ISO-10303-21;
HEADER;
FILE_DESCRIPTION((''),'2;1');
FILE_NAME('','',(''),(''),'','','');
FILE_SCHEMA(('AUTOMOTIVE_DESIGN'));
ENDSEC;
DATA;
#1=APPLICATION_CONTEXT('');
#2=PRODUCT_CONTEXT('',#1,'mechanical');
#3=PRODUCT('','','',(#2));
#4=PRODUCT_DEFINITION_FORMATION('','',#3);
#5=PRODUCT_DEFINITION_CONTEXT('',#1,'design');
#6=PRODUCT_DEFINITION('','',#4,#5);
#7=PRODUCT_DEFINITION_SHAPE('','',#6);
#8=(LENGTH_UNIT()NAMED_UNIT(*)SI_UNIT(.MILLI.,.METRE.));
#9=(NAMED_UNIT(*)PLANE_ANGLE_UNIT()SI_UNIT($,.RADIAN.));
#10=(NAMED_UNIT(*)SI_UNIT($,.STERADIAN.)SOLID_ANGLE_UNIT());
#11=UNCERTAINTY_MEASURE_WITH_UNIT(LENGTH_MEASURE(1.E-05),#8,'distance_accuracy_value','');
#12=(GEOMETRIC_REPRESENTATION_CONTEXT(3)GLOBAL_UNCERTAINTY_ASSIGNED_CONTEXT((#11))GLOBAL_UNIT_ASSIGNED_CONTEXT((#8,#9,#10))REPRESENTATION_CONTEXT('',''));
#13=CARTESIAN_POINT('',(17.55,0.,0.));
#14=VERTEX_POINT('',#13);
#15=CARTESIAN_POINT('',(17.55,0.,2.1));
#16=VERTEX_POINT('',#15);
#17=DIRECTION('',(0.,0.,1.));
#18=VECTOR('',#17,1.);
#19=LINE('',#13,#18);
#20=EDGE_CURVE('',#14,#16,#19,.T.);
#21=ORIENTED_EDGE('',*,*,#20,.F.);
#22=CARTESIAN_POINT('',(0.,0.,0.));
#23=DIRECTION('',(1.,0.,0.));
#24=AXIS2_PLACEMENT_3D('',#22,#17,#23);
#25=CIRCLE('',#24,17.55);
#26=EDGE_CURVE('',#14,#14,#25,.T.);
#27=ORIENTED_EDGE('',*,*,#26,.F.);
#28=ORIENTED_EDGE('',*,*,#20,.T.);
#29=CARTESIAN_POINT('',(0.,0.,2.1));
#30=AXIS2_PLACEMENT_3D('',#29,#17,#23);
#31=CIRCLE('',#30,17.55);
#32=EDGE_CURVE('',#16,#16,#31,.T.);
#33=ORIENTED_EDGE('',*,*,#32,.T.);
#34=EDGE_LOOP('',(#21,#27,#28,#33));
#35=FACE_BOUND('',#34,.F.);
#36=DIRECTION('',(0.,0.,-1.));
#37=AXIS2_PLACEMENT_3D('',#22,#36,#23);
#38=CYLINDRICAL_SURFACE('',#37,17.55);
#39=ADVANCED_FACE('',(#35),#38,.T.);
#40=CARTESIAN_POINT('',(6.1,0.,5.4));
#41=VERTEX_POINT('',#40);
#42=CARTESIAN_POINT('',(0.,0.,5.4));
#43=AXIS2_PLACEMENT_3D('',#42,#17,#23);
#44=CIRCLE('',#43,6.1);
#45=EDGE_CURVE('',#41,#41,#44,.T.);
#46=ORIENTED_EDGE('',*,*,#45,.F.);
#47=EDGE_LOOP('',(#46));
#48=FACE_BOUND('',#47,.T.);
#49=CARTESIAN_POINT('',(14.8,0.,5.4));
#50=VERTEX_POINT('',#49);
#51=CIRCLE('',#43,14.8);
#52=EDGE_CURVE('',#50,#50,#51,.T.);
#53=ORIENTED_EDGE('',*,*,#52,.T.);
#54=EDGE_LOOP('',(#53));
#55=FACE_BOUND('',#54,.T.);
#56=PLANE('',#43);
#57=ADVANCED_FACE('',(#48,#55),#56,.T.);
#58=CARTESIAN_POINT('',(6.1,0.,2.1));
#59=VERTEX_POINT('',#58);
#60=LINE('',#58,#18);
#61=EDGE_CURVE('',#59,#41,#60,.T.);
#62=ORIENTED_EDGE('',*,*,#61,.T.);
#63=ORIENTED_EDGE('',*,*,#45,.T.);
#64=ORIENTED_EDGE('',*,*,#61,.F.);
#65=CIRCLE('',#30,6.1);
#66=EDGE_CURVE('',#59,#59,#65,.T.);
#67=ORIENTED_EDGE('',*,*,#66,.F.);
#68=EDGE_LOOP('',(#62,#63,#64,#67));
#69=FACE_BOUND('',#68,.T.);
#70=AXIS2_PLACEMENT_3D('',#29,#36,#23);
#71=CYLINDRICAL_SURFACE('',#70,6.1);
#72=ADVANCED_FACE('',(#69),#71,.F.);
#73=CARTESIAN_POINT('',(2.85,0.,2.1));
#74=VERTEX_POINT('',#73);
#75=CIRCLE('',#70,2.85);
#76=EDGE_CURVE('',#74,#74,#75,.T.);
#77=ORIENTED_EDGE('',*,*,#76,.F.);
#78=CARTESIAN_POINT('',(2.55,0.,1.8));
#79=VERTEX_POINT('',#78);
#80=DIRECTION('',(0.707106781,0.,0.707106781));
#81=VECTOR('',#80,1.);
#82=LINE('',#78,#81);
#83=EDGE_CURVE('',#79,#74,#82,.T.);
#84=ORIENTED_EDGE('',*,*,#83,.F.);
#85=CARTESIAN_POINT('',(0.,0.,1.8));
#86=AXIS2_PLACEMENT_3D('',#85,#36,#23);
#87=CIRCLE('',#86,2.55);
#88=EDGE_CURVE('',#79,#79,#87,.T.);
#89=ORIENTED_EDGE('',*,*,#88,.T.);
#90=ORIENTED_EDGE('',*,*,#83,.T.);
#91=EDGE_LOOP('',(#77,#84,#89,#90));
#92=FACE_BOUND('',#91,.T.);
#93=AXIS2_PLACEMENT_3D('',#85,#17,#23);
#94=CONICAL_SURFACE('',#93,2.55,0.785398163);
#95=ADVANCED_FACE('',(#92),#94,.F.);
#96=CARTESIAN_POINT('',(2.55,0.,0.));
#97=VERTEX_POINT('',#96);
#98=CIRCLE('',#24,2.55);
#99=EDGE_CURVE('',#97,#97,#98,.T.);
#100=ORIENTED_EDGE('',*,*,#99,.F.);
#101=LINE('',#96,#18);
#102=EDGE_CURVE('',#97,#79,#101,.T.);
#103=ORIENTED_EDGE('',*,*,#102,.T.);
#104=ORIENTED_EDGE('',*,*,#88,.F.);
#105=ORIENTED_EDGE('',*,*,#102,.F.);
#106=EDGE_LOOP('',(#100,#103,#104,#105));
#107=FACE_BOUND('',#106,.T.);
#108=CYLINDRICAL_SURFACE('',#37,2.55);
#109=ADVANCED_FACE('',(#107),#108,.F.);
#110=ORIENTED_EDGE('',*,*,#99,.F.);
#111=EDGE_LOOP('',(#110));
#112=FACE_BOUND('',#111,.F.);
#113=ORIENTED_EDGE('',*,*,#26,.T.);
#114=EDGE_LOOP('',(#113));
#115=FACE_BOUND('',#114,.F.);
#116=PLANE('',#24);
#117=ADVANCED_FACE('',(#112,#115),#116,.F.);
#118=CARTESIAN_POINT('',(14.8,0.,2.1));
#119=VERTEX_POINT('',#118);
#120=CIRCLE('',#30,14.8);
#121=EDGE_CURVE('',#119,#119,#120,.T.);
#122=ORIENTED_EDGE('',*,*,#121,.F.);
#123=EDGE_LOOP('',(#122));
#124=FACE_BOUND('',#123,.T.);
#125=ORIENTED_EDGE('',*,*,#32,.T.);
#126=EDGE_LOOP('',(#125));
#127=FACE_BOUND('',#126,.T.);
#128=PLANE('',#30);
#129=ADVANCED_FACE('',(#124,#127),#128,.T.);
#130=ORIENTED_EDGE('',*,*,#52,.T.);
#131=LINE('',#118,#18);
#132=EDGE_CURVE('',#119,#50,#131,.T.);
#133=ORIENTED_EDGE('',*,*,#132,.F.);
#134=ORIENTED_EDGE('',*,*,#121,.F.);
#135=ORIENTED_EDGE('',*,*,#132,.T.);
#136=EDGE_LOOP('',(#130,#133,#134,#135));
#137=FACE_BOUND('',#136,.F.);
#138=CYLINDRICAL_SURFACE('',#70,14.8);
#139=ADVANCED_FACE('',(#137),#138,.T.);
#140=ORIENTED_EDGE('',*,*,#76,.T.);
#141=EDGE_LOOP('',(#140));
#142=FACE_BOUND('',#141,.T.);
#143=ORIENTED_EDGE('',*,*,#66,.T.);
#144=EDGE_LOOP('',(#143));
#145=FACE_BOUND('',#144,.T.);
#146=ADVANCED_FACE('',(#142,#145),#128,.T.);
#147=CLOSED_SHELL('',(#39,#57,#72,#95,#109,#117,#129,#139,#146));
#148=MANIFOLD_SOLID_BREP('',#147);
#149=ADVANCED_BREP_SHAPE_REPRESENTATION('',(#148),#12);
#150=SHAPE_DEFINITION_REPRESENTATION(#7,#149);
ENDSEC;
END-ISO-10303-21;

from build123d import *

# Parameters (mm, degrees)
SKETCH_1_R          = 17.55
EXTRUDE_1_DEPTH     = 2.1
EXTRUDE_START       = 2.1
SKETCH_2_R          = 14.8
SKETCH_2_R_2        = 6.1
EXTRUDE_2_DEPTH     = 3.3
CUT_EXTRUDE_1_REACH = 7.4
SKETCH_3_R          = 2.55
CHAMFER_1_SIZE      = 0.3


with BuildPart() as part:
    # 草图1 → 凸台-拉伸1 (new body)
    with BuildSketch(Plane.XY):
        Circle(SKETCH_1_R)
    extrude(amount=EXTRUDE_1_DEPTH)

    # 草图2 → 凸台-拉伸2 (add)
    with BuildSketch(Plane.XY.offset(EXTRUDE_START)):
        Circle(SKETCH_2_R)
        Circle(SKETCH_2_R_2, mode=Mode.SUBTRACT)
    extrude(amount=EXTRUDE_2_DEPTH)

    # 草图3 → 切除-拉伸1 (cut, up to next)
    with BuildSketch(Plane.XY, mode=Mode.PRIVATE) as cut_extrude_1_sk1:
        Circle(SKETCH_3_R)
    cut_extrude_1_tool1 = extrude(cut_extrude_1_sk1.sketch, amount=CUT_EXTRUDE_1_REACH, mode=Mode.PRIVATE) & part.part
    add(cut_extrude_1_tool1.solids().sort_by_distance((0, 0, 0))[0], mode=Mode.SUBTRACT)

    # 倒角1
    chamfer_1_edges = [part.edges().sort_by_distance(p)[0] for p in [
        (-2.55, 0, 2.1),
    ]]
    chamfer(chamfer_1_edges, length=CHAMFER_1_SIZE)


solid = part.part
